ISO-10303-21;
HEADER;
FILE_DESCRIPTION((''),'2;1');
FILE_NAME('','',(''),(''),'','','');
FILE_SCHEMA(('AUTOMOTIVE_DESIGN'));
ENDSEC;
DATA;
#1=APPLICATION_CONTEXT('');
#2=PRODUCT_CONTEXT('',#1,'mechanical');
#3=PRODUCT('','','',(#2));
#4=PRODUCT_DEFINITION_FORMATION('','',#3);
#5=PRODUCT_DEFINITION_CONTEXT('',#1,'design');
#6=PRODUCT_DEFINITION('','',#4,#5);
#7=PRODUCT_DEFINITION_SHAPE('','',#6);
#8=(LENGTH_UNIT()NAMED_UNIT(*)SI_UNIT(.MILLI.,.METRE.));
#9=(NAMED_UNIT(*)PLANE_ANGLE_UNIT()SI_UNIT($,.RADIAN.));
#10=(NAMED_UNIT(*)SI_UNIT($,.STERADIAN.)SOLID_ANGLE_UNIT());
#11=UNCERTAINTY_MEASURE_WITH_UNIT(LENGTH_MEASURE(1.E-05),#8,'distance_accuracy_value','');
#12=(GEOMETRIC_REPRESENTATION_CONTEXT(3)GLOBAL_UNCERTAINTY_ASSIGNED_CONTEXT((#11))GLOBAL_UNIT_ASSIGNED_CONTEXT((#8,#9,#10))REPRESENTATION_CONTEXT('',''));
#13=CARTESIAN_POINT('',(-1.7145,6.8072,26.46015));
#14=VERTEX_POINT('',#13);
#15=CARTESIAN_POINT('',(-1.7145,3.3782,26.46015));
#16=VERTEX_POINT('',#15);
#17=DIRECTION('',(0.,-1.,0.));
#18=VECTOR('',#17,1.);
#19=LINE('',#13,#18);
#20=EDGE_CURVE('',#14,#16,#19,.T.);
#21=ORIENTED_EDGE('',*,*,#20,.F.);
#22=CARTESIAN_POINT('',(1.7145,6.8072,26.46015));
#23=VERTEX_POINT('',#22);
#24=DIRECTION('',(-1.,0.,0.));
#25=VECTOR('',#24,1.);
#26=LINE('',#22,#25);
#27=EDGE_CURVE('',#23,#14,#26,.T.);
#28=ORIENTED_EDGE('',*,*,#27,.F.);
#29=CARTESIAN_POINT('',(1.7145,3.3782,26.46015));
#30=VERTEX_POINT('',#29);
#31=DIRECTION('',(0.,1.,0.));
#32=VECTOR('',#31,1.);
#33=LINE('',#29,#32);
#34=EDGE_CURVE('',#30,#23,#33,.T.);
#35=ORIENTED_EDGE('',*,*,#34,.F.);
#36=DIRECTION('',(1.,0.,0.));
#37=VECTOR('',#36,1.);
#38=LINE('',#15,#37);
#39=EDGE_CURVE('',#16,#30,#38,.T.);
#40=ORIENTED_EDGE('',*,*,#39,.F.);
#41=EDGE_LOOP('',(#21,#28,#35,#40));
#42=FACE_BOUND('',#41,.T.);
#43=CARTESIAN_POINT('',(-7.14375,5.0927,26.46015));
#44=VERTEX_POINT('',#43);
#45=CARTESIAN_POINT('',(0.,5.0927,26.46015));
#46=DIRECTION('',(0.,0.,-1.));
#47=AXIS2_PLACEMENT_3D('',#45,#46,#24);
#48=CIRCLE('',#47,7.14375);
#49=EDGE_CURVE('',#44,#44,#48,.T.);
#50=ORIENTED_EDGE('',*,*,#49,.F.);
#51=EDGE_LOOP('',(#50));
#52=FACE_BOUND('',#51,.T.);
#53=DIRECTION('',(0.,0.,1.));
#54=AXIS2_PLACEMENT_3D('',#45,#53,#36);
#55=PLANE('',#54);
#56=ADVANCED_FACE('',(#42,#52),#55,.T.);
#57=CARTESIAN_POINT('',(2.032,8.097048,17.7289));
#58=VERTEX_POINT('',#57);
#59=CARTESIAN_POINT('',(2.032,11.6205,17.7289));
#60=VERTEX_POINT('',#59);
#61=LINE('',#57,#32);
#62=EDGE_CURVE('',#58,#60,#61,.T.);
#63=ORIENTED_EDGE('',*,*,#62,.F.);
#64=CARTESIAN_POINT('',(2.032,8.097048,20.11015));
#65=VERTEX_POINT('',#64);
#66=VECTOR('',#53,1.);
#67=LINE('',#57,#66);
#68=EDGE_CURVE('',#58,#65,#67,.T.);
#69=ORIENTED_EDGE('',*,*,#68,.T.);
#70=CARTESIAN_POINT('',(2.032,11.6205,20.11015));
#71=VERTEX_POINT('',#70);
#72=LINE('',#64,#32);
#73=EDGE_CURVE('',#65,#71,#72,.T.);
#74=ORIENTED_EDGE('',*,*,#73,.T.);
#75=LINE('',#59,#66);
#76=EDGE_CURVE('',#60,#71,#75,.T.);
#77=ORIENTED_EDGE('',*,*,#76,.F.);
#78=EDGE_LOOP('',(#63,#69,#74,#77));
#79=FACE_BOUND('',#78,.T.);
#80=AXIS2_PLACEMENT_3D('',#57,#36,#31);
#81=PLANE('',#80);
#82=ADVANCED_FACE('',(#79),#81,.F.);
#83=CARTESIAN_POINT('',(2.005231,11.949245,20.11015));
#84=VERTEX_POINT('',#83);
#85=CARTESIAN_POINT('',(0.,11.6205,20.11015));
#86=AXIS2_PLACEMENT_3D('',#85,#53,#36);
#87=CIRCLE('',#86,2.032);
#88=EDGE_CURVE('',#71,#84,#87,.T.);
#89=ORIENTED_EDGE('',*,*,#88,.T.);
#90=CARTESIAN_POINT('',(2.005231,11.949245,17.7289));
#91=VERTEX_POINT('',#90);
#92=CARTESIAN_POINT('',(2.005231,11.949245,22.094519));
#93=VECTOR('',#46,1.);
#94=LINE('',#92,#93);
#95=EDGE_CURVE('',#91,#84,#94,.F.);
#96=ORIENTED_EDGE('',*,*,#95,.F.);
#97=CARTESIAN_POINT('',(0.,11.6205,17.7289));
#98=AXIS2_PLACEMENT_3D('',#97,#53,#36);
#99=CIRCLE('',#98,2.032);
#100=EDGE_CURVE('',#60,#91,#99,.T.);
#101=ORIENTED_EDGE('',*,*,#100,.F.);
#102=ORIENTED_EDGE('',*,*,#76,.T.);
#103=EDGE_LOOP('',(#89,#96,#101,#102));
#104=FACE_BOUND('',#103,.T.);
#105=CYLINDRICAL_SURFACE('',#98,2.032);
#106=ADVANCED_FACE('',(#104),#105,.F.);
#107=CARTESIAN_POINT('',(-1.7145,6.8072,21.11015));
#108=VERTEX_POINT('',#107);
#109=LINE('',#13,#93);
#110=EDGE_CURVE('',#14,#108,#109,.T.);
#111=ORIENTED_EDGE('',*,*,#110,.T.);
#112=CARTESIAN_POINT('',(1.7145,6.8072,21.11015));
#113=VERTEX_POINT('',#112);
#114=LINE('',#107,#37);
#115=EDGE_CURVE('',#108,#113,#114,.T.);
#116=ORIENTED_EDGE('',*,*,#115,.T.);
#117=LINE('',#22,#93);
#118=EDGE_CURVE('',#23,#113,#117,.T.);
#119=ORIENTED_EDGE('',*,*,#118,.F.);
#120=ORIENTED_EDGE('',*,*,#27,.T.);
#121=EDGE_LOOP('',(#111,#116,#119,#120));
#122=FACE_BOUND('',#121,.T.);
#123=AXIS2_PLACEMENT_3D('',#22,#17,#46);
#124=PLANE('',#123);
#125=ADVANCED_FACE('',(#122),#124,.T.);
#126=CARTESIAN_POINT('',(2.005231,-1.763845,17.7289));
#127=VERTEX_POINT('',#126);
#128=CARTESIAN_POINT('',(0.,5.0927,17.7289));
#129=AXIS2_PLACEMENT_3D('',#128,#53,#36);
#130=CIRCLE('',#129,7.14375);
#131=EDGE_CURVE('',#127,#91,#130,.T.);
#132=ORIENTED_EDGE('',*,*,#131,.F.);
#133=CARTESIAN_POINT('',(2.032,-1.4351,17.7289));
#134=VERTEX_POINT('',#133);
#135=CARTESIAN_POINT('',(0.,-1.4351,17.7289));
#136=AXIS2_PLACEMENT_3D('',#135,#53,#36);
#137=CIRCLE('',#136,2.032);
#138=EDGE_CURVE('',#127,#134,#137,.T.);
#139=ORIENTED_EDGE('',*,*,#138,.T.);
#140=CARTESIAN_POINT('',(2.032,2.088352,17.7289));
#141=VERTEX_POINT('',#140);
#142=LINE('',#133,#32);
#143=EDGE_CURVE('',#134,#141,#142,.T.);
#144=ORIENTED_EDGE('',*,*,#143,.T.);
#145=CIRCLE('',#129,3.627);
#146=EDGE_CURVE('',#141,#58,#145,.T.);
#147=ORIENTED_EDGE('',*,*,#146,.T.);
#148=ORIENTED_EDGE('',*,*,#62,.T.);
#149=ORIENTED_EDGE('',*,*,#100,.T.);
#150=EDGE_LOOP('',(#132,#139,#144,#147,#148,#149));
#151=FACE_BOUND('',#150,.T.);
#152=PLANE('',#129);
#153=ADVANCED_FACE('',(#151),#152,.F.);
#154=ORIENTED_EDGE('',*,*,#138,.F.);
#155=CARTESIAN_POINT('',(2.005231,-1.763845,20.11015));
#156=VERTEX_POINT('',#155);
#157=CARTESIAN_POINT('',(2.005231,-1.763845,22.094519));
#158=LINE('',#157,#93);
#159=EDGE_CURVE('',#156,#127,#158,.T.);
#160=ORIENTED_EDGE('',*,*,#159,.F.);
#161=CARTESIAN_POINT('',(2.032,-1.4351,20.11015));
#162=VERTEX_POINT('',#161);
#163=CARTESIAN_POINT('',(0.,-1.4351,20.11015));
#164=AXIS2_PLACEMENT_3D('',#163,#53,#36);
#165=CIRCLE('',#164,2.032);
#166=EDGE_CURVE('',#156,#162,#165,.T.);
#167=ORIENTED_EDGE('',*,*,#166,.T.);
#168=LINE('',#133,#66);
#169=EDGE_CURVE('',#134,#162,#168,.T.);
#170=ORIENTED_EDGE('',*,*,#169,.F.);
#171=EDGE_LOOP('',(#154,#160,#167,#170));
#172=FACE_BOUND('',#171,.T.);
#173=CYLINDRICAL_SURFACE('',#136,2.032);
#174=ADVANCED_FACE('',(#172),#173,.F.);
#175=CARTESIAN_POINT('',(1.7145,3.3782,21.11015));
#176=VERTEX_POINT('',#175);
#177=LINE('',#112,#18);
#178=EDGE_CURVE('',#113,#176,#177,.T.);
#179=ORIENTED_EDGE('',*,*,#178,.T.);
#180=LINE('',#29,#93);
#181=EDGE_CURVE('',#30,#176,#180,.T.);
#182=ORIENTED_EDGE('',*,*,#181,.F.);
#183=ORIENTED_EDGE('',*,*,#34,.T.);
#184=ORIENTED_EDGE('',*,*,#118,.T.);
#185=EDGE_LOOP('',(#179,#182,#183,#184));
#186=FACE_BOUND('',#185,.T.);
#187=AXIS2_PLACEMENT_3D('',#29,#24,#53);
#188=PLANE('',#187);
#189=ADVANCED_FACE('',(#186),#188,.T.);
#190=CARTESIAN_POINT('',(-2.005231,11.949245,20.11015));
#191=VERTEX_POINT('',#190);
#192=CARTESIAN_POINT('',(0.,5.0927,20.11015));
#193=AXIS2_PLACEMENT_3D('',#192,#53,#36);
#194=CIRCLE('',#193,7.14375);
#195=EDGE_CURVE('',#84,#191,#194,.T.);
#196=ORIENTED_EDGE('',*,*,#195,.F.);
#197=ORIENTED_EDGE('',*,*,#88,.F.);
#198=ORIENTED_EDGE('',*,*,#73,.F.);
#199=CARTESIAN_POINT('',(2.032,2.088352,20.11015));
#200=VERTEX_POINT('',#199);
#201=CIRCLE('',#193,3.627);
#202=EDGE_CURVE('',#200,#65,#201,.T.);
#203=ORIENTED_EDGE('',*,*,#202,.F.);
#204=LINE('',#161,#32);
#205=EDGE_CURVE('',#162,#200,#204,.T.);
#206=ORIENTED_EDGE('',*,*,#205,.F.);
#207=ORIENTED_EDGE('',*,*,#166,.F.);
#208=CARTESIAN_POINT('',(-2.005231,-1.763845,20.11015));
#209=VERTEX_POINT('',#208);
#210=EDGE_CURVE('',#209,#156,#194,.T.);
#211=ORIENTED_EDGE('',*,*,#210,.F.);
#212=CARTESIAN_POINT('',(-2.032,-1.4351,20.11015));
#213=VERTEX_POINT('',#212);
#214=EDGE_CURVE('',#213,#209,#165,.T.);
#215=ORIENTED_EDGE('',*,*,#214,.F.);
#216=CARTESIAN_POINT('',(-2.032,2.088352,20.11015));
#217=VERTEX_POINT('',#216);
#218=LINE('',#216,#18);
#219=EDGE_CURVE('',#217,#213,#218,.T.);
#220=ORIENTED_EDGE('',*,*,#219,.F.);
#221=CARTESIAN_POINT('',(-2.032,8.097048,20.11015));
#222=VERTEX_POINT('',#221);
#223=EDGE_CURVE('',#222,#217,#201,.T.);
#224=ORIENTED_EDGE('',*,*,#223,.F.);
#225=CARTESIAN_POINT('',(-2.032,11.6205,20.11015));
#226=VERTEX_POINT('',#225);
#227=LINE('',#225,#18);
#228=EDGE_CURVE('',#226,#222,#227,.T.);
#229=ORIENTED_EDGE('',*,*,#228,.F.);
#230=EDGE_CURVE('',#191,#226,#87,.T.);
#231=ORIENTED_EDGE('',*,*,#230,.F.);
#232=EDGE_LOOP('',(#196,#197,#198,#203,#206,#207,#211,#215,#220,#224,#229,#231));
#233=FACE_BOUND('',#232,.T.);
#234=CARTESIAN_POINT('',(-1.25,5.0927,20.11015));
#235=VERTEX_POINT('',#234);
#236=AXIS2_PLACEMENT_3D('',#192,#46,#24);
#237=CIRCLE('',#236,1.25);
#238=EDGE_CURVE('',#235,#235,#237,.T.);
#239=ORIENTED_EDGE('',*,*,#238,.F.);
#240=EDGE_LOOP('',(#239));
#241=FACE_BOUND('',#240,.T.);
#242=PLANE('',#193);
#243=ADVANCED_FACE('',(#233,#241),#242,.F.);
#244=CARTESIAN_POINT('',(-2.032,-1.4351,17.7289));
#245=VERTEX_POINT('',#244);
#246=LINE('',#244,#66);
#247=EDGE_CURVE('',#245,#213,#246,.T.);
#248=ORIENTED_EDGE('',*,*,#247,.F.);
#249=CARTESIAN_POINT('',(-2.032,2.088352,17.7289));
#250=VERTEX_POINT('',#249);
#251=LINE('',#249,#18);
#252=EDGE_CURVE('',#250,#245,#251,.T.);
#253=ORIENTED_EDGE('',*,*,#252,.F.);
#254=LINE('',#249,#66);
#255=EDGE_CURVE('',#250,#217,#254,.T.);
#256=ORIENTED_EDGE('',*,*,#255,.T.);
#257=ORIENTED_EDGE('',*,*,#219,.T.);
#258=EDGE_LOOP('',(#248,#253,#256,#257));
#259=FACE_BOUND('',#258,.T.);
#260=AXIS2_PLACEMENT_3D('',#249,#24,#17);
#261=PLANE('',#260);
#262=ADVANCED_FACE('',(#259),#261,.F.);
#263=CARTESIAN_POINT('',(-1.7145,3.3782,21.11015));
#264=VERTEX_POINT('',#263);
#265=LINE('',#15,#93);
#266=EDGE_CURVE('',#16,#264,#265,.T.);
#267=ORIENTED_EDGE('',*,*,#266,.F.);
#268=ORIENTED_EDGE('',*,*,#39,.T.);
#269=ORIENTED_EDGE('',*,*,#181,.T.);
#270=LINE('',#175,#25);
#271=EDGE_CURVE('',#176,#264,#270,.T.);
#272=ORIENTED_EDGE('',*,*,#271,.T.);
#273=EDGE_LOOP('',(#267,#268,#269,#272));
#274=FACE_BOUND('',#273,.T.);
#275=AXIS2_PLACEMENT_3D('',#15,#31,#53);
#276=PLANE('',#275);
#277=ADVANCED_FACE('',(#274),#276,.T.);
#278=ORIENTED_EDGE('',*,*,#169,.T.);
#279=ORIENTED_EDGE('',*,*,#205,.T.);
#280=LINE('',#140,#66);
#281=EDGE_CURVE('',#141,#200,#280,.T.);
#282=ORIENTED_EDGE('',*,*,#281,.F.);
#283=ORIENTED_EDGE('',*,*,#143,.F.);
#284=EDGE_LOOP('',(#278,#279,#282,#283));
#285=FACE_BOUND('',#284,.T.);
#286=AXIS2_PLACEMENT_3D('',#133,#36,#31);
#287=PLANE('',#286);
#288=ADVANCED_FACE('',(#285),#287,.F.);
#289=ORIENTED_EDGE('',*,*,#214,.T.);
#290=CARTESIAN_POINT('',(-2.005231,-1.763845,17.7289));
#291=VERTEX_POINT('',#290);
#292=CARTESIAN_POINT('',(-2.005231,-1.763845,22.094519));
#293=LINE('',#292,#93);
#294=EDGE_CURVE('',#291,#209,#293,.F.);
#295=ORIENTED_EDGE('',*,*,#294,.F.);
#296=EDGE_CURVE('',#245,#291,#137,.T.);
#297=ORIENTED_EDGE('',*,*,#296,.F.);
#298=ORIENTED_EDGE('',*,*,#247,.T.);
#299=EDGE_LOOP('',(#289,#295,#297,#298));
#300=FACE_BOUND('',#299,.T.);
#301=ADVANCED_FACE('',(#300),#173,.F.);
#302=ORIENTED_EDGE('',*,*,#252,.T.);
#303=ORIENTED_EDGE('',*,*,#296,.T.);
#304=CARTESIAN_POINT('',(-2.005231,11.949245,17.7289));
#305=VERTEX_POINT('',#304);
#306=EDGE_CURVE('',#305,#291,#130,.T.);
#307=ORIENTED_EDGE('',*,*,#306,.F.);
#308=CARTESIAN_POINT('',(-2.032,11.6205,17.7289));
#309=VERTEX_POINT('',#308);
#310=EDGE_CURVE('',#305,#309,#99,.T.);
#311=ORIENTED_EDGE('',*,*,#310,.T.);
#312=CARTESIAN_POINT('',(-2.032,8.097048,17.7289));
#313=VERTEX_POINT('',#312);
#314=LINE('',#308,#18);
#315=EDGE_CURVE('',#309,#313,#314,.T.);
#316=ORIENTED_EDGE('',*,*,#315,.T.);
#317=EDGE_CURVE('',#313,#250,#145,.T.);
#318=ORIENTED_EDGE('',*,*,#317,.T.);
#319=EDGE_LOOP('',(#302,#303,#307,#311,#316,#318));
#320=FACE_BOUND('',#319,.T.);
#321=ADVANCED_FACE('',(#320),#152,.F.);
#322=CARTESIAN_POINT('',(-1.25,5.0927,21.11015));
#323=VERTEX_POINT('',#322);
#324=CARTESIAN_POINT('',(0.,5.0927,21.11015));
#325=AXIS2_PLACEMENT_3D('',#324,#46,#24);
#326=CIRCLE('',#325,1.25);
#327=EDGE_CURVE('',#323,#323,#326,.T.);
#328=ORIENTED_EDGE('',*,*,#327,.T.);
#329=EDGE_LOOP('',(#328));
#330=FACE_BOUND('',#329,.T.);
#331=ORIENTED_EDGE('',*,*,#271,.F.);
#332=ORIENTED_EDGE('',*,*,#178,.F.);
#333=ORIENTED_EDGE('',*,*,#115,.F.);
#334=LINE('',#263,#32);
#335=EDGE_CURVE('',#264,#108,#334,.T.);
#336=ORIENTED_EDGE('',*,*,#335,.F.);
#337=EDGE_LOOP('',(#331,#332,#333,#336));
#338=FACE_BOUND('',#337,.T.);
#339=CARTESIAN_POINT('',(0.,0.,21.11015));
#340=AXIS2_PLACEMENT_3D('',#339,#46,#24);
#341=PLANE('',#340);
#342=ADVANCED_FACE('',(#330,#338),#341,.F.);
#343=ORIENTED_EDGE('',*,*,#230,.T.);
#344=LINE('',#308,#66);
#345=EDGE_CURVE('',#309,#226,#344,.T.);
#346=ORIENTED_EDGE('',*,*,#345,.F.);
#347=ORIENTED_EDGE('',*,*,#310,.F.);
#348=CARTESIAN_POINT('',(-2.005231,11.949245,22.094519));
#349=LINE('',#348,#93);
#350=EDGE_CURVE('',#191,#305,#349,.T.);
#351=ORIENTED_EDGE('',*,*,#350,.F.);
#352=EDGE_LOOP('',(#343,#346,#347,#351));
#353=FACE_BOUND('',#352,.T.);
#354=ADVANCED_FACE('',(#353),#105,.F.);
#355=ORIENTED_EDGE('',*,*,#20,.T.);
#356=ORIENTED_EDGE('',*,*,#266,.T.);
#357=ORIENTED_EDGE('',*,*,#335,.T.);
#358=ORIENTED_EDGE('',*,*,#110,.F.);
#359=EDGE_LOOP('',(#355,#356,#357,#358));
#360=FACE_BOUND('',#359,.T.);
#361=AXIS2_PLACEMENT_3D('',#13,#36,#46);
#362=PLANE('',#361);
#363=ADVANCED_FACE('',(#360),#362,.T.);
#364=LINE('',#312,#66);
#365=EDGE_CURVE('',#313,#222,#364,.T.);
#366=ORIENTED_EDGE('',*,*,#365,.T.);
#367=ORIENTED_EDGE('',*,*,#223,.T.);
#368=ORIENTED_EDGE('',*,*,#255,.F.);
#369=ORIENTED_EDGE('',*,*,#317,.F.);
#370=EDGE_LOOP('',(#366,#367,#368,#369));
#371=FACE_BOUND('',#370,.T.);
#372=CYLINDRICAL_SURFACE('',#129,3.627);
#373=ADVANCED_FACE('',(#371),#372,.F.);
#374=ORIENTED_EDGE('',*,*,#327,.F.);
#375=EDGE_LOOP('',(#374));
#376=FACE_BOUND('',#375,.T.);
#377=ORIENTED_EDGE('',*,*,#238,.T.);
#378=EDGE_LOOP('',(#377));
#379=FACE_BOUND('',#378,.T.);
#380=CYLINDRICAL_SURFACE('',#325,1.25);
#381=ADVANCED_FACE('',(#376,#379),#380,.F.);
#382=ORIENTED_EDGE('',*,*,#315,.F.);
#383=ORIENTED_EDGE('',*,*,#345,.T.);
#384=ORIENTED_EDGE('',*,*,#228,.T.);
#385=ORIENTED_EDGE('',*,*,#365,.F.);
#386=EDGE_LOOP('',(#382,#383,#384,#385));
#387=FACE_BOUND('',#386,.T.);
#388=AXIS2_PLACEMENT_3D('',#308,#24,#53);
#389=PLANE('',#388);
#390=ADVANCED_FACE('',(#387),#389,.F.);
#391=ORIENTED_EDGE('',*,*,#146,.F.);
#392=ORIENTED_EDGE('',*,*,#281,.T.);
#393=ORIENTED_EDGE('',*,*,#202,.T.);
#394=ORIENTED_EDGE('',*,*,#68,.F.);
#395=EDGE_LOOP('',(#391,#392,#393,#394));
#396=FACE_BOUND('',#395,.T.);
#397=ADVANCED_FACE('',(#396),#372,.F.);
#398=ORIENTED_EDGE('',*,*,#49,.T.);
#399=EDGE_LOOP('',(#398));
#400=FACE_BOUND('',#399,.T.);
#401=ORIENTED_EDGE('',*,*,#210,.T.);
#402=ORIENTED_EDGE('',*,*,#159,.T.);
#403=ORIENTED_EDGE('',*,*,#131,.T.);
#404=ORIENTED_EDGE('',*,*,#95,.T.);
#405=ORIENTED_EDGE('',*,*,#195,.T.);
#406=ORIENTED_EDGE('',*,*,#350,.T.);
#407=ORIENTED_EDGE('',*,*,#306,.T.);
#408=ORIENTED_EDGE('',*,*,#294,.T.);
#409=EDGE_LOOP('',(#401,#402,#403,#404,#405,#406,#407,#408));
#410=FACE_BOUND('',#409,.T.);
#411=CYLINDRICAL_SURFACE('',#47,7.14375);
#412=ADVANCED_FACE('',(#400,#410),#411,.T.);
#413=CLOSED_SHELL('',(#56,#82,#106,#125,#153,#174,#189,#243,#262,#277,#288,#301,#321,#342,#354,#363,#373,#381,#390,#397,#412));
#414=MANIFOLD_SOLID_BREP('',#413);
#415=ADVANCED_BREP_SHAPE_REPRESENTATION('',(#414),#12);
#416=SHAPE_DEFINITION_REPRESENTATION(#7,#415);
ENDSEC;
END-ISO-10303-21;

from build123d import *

# Parameters (mm, degrees)
SKETCH1_R               = 9.35355
BOSS_EXTRUDE1_DEPTH     = 2.38125
BOSS_EXTRUDE2_START     = 6.35
SKETCH2_R               = 9.35355
SKETCH2_W               = 3.429
SKETCH2_H               = 3.429
BOSS_EXTRUDE2_DEPTH     = 6.35
SKETCH3_W               = 3.429
SKETCH3_H               = 3.429
SKETCH3_R               = 1.25
BOSS_EXTRUDE3_DEPTH     = 1
CUT_EXTRUDE1_DEPTH      = 20.29812849
CUT_EXTRUDE1_DEPTH_BACK = 20.29812849
SKETCH4_OUTSIDE_W       = 26.28
SKETCH4_OUTSIDE_H       = 26.279
SKETCH4_OUTSIDE_R       = 7.14375


with BuildPart() as part:
    # Sketch1 → Boss-Extrude1 (new body)
    with BuildSketch(Plane.XY.offset(20.11015)):
        with Locations((0, 5.0927)):
            Circle(SKETCH1_R)
        with BuildLine():
            Line((-2.032, 2.088352317), (-2.032, -1.4351))
            ThreePointArc((-2.032, -1.4351), (0, -3.4671), (2.032, -1.4351))
            Line((2.032, -1.4351), (2.032, 2.088352317))
            ThreePointArc((2.032, 2.088352317), (3.627, 5.0927), (2.032, 8.097047683))
            Line((2.032, 8.097047683), (2.032, 11.6205))
            ThreePointArc((2.032, 11.6205), (0, 13.6525), (-2.032, 11.6205))
            Line((-2.032, 11.6205), (-2.032, 8.097047683))
            ThreePointArc((-2.032, 8.097047683), (-3.627, 5.0927), (-2.032, 2.088352317))
        make_face(mode=Mode.SUBTRACT)
    extrude(amount=-BOSS_EXTRUDE1_DEPTH)

    # Sketch2 → Boss-Extrude2 (add)
    with BuildSketch(Plane.XY.offset(20.11015).offset(BOSS_EXTRUDE2_START)):
        with Locations((0, 5.0927)):
            Circle(SKETCH2_R)
        with Locations((0, 5.0927)):
            Rectangle(SKETCH2_W, SKETCH2_H, mode=Mode.SUBTRACT)
    extrude(amount=-BOSS_EXTRUDE2_DEPTH)

    # Sketch3 → Boss-Extrude3 (add)
    with BuildSketch(Plane(origin=(0, 0, 20.11015), x_dir=(-1, 0, 0), z_dir=(0, 0, -1))):
        with Locations((0, 5.0927)):
            Rectangle(SKETCH3_W, SKETCH3_H)
        with Locations((0, 5.0927)):
            Circle(SKETCH3_R, mode=Mode.SUBTRACT)
    extrude(amount=-BOSS_EXTRUDE3_DEPTH)

    # Sketch4 outside → Cut-Extrude1 (cut, two sides: drawn at the far end of the back side and taken through both)
    with BuildSketch(Plane(origin=(0, 0, 17.7289), x_dir=(-1, 0, 0), z_dir=(0, 0, -1)).offset(-CUT_EXTRUDE1_DEPTH_BACK)):
        with Locations((0, 5.0925)):
            Rectangle(SKETCH4_OUTSIDE_W, SKETCH4_OUTSIDE_H)
        with Locations((0, 5.0927)):
            Circle(SKETCH4_OUTSIDE_R, mode=Mode.SUBTRACT)
    extrude(amount=CUT_EXTRUDE1_DEPTH + CUT_EXTRUDE1_DEPTH_BACK, mode=Mode.SUBTRACT)


solid = part.part
